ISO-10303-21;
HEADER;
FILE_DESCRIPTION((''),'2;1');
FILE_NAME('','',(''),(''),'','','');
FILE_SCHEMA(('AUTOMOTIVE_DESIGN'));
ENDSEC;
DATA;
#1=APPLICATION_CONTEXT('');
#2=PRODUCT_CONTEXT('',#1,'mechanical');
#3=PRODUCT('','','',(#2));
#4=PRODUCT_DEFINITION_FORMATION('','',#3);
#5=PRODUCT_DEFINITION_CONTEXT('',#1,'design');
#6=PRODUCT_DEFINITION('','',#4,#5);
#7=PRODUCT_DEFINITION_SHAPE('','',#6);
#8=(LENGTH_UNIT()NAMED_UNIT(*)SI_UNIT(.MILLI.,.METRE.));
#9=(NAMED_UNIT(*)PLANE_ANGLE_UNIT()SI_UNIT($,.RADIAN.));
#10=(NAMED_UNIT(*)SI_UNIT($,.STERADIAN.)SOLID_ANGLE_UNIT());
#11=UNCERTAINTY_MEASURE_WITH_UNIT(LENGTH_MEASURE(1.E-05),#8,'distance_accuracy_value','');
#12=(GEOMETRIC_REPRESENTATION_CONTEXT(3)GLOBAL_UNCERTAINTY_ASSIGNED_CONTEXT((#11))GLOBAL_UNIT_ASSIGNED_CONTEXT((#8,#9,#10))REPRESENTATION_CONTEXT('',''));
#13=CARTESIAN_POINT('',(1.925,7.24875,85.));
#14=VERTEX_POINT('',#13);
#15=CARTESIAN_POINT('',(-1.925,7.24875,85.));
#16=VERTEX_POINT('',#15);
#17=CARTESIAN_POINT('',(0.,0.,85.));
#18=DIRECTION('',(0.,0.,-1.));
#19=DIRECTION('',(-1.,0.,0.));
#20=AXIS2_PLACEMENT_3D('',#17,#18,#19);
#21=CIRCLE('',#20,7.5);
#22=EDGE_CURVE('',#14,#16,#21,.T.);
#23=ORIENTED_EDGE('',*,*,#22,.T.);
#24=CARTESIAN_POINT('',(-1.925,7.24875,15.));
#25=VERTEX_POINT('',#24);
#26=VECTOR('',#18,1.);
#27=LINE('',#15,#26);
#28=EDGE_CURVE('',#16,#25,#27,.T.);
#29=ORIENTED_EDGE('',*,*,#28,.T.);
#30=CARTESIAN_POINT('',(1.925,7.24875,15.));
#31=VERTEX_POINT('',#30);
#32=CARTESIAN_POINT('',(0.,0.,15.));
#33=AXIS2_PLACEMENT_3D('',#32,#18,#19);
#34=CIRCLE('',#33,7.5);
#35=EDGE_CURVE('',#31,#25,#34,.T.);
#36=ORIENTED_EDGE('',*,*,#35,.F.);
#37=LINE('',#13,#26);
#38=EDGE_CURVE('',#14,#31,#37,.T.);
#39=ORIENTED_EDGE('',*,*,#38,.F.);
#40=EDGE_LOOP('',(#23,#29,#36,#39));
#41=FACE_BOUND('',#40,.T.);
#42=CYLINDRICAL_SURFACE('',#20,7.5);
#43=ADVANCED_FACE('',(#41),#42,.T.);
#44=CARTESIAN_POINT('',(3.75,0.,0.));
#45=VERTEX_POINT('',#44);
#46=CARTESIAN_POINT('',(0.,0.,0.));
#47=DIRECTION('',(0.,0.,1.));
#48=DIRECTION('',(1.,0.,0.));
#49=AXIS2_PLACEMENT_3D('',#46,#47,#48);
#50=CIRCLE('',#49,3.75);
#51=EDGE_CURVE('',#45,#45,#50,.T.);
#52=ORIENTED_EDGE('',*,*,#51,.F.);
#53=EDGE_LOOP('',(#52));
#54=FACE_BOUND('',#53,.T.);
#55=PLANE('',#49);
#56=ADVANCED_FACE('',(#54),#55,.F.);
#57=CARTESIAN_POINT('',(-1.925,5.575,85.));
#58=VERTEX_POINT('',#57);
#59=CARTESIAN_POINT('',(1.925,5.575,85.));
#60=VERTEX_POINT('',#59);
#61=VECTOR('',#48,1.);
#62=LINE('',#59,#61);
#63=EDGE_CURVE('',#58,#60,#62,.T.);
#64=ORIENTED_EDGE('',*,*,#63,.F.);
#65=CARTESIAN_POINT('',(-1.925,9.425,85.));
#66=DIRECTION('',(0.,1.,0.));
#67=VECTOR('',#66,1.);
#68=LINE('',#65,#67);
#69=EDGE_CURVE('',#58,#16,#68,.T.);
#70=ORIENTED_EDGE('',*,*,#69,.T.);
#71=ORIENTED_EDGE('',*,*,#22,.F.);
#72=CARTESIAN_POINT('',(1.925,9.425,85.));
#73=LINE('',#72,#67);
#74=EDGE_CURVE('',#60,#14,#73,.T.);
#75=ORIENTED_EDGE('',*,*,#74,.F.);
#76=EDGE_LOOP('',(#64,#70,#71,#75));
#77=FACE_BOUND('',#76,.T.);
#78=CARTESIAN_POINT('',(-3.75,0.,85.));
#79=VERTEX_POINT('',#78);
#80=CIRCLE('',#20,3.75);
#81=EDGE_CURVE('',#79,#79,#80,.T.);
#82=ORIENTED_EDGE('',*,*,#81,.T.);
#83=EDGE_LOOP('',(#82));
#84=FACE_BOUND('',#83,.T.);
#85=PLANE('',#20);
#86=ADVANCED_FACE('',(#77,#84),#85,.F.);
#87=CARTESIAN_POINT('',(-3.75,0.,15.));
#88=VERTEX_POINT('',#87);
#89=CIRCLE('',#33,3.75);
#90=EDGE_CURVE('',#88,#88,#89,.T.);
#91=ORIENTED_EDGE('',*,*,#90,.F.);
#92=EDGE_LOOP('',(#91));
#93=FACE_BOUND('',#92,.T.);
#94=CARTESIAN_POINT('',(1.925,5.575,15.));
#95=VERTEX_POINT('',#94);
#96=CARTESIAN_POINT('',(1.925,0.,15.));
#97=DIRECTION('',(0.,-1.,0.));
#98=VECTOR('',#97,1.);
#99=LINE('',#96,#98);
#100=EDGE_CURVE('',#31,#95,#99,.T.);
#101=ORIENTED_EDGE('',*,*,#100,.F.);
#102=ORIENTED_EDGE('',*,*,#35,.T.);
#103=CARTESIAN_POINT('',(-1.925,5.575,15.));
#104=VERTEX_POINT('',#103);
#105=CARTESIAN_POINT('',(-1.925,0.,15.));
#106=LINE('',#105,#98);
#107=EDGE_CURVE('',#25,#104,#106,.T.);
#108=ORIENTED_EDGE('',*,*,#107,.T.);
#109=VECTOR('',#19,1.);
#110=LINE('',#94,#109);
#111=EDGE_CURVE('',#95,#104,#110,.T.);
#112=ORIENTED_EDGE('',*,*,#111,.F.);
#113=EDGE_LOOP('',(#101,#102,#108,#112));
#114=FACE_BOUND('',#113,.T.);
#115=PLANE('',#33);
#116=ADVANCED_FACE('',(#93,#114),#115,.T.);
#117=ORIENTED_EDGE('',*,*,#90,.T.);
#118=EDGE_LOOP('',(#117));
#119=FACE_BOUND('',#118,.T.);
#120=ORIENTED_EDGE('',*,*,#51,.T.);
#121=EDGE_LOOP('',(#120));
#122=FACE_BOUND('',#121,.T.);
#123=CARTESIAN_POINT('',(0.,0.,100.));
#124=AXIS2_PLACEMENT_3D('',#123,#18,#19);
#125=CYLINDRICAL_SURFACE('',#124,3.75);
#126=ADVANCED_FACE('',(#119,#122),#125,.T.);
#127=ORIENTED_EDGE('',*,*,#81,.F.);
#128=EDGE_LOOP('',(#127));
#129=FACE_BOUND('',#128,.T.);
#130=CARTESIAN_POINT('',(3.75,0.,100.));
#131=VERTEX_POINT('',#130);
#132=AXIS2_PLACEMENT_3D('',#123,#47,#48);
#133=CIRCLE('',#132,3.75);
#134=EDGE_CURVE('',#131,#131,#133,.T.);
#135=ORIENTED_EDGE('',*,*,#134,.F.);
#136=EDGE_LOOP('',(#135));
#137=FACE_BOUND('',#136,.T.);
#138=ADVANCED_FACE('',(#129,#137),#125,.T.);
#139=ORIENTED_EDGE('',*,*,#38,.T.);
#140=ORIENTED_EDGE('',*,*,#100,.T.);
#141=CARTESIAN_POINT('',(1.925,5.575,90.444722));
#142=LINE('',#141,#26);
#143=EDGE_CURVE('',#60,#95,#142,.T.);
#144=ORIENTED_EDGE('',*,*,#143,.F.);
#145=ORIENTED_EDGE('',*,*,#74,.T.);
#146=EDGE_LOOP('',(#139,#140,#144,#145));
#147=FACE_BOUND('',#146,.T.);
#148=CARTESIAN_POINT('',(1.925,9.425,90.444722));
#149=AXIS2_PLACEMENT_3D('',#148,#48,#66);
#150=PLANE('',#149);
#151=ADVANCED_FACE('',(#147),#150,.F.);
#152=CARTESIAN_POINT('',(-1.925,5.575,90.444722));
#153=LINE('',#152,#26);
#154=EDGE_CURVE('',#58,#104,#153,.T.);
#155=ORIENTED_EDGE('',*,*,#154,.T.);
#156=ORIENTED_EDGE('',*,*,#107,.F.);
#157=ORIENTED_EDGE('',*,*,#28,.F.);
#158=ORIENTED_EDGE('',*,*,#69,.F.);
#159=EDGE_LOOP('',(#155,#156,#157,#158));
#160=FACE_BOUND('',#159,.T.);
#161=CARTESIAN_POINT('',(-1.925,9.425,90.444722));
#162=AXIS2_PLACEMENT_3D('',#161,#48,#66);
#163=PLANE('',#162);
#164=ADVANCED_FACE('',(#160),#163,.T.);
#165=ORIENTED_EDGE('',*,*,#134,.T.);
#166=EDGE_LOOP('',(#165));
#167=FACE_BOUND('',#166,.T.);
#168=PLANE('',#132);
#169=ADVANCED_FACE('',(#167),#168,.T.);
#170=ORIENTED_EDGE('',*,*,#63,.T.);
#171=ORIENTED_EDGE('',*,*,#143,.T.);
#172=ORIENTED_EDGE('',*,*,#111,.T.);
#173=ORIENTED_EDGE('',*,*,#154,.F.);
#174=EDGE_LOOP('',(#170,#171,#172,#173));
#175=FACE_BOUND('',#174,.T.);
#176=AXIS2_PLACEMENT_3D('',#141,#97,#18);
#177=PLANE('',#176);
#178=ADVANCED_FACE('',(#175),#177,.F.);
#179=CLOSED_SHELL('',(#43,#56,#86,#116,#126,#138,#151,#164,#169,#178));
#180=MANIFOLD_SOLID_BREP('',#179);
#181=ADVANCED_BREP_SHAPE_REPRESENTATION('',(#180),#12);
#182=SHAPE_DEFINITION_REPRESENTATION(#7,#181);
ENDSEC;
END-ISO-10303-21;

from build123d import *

# Parameters (mm, degrees)
SKETCH1_R                      = 3.75
BOSS_EXTRUDE1_DEPTH            = 100
BOSS_EXTRUDE2_DEPTH            = 35
BOSS_EXTRUDE2_DEPTH_BACK       = 35
SKETCH2_R                      = 7.5
CUT_EXTRUDE1_REACH             = 53.113
SKETCH3_W                      = 3.85
SKETCH3_H                      = 3.85
CUT_EXTRUDE1_DIRECTION_2_REACH = 53.113


with BuildPart() as part:
    # Sketch1 → Boss-Extrude1 (new body)
    with BuildSketch(Plane.XY):
        Circle(SKETCH1_R)
    extrude(amount=BOSS_EXTRUDE1_DEPTH)

    # Sketch2 → Boss-Extrude2 (add, two sides: drawn at the far end of the back side and taken through both)
    with BuildSketch(Plane(origin=(0, 0, 50), x_dir=(-1, 0, 0), z_dir=(0, 0, -1)).offset(-BOSS_EXTRUDE2_DEPTH_BACK)):
        Circle(SKETCH2_R)
    extrude(amount=BOSS_EXTRUDE2_DEPTH + BOSS_EXTRUDE2_DEPTH_BACK)

    # Cut-Extrude1: up to this face of the body (flat: up to its plane)
    cut_extrude1_end = Plane(part.part.faces().sort_by_distance((7.287867966, 0, 85))[0])
    # Sketch3 → Cut-Extrude1 (cut, up to the picked face)
    with BuildSketch(Plane(origin=(0, 0, 50), x_dir=(-1, 0, 0), z_dir=(0, 0, -1)), mode=Mode.PRIVATE) as cut_extrude1_sk1:
        with Locations((0, 7.5)):
            Rectangle(SKETCH3_W, SKETCH3_H)
    cut_extrude1_tool1 = split(extrude(cut_extrude1_sk1.sketch, amount=-CUT_EXTRUDE1_REACH, mode=Mode.PRIVATE), bisect_by=cut_extrude1_end, keep=Keep.BOTH, mode=Mode.PRIVATE)
    add(cut_extrude1_tool1.solids().sort_by(Axis((0, 7.5, 50), (0, 0, 1)))[0], mode=Mode.SUBTRACT)

    # Cut-Extrude1 direction 2: up to this face of the body (flat: up to its plane)
    cut_extrude1_direction_2_end = Plane(part.part.faces().sort_by_distance((7.287867966, 0, 15))[0])
    # Sketch3 → Cut-Extrude1 direction 2 (cut, up to the picked face)
    with BuildSketch(Plane(origin=(0, 0, 50), x_dir=(-1, 0, 0), z_dir=(0, 0, -1)), mode=Mode.PRIVATE) as cut_extrude1_direction_2_sk1:
        with Locations((0, 7.5)):
            Rectangle(SKETCH3_W, SKETCH3_H)
    cut_extrude1_direction_2_tool1 = split(extrude(cut_extrude1_direction_2_sk1.sketch, amount=CUT_EXTRUDE1_DIRECTION_2_REACH, mode=Mode.PRIVATE), bisect_by=cut_extrude1_direction_2_end, keep=Keep.BOTH, mode=Mode.PRIVATE)
    add(cut_extrude1_direction_2_tool1.solids().sort_by(Axis((0, 7.5, 50), (0, 0, -1)))[0], mode=Mode.SUBTRACT)


solid = part.part
